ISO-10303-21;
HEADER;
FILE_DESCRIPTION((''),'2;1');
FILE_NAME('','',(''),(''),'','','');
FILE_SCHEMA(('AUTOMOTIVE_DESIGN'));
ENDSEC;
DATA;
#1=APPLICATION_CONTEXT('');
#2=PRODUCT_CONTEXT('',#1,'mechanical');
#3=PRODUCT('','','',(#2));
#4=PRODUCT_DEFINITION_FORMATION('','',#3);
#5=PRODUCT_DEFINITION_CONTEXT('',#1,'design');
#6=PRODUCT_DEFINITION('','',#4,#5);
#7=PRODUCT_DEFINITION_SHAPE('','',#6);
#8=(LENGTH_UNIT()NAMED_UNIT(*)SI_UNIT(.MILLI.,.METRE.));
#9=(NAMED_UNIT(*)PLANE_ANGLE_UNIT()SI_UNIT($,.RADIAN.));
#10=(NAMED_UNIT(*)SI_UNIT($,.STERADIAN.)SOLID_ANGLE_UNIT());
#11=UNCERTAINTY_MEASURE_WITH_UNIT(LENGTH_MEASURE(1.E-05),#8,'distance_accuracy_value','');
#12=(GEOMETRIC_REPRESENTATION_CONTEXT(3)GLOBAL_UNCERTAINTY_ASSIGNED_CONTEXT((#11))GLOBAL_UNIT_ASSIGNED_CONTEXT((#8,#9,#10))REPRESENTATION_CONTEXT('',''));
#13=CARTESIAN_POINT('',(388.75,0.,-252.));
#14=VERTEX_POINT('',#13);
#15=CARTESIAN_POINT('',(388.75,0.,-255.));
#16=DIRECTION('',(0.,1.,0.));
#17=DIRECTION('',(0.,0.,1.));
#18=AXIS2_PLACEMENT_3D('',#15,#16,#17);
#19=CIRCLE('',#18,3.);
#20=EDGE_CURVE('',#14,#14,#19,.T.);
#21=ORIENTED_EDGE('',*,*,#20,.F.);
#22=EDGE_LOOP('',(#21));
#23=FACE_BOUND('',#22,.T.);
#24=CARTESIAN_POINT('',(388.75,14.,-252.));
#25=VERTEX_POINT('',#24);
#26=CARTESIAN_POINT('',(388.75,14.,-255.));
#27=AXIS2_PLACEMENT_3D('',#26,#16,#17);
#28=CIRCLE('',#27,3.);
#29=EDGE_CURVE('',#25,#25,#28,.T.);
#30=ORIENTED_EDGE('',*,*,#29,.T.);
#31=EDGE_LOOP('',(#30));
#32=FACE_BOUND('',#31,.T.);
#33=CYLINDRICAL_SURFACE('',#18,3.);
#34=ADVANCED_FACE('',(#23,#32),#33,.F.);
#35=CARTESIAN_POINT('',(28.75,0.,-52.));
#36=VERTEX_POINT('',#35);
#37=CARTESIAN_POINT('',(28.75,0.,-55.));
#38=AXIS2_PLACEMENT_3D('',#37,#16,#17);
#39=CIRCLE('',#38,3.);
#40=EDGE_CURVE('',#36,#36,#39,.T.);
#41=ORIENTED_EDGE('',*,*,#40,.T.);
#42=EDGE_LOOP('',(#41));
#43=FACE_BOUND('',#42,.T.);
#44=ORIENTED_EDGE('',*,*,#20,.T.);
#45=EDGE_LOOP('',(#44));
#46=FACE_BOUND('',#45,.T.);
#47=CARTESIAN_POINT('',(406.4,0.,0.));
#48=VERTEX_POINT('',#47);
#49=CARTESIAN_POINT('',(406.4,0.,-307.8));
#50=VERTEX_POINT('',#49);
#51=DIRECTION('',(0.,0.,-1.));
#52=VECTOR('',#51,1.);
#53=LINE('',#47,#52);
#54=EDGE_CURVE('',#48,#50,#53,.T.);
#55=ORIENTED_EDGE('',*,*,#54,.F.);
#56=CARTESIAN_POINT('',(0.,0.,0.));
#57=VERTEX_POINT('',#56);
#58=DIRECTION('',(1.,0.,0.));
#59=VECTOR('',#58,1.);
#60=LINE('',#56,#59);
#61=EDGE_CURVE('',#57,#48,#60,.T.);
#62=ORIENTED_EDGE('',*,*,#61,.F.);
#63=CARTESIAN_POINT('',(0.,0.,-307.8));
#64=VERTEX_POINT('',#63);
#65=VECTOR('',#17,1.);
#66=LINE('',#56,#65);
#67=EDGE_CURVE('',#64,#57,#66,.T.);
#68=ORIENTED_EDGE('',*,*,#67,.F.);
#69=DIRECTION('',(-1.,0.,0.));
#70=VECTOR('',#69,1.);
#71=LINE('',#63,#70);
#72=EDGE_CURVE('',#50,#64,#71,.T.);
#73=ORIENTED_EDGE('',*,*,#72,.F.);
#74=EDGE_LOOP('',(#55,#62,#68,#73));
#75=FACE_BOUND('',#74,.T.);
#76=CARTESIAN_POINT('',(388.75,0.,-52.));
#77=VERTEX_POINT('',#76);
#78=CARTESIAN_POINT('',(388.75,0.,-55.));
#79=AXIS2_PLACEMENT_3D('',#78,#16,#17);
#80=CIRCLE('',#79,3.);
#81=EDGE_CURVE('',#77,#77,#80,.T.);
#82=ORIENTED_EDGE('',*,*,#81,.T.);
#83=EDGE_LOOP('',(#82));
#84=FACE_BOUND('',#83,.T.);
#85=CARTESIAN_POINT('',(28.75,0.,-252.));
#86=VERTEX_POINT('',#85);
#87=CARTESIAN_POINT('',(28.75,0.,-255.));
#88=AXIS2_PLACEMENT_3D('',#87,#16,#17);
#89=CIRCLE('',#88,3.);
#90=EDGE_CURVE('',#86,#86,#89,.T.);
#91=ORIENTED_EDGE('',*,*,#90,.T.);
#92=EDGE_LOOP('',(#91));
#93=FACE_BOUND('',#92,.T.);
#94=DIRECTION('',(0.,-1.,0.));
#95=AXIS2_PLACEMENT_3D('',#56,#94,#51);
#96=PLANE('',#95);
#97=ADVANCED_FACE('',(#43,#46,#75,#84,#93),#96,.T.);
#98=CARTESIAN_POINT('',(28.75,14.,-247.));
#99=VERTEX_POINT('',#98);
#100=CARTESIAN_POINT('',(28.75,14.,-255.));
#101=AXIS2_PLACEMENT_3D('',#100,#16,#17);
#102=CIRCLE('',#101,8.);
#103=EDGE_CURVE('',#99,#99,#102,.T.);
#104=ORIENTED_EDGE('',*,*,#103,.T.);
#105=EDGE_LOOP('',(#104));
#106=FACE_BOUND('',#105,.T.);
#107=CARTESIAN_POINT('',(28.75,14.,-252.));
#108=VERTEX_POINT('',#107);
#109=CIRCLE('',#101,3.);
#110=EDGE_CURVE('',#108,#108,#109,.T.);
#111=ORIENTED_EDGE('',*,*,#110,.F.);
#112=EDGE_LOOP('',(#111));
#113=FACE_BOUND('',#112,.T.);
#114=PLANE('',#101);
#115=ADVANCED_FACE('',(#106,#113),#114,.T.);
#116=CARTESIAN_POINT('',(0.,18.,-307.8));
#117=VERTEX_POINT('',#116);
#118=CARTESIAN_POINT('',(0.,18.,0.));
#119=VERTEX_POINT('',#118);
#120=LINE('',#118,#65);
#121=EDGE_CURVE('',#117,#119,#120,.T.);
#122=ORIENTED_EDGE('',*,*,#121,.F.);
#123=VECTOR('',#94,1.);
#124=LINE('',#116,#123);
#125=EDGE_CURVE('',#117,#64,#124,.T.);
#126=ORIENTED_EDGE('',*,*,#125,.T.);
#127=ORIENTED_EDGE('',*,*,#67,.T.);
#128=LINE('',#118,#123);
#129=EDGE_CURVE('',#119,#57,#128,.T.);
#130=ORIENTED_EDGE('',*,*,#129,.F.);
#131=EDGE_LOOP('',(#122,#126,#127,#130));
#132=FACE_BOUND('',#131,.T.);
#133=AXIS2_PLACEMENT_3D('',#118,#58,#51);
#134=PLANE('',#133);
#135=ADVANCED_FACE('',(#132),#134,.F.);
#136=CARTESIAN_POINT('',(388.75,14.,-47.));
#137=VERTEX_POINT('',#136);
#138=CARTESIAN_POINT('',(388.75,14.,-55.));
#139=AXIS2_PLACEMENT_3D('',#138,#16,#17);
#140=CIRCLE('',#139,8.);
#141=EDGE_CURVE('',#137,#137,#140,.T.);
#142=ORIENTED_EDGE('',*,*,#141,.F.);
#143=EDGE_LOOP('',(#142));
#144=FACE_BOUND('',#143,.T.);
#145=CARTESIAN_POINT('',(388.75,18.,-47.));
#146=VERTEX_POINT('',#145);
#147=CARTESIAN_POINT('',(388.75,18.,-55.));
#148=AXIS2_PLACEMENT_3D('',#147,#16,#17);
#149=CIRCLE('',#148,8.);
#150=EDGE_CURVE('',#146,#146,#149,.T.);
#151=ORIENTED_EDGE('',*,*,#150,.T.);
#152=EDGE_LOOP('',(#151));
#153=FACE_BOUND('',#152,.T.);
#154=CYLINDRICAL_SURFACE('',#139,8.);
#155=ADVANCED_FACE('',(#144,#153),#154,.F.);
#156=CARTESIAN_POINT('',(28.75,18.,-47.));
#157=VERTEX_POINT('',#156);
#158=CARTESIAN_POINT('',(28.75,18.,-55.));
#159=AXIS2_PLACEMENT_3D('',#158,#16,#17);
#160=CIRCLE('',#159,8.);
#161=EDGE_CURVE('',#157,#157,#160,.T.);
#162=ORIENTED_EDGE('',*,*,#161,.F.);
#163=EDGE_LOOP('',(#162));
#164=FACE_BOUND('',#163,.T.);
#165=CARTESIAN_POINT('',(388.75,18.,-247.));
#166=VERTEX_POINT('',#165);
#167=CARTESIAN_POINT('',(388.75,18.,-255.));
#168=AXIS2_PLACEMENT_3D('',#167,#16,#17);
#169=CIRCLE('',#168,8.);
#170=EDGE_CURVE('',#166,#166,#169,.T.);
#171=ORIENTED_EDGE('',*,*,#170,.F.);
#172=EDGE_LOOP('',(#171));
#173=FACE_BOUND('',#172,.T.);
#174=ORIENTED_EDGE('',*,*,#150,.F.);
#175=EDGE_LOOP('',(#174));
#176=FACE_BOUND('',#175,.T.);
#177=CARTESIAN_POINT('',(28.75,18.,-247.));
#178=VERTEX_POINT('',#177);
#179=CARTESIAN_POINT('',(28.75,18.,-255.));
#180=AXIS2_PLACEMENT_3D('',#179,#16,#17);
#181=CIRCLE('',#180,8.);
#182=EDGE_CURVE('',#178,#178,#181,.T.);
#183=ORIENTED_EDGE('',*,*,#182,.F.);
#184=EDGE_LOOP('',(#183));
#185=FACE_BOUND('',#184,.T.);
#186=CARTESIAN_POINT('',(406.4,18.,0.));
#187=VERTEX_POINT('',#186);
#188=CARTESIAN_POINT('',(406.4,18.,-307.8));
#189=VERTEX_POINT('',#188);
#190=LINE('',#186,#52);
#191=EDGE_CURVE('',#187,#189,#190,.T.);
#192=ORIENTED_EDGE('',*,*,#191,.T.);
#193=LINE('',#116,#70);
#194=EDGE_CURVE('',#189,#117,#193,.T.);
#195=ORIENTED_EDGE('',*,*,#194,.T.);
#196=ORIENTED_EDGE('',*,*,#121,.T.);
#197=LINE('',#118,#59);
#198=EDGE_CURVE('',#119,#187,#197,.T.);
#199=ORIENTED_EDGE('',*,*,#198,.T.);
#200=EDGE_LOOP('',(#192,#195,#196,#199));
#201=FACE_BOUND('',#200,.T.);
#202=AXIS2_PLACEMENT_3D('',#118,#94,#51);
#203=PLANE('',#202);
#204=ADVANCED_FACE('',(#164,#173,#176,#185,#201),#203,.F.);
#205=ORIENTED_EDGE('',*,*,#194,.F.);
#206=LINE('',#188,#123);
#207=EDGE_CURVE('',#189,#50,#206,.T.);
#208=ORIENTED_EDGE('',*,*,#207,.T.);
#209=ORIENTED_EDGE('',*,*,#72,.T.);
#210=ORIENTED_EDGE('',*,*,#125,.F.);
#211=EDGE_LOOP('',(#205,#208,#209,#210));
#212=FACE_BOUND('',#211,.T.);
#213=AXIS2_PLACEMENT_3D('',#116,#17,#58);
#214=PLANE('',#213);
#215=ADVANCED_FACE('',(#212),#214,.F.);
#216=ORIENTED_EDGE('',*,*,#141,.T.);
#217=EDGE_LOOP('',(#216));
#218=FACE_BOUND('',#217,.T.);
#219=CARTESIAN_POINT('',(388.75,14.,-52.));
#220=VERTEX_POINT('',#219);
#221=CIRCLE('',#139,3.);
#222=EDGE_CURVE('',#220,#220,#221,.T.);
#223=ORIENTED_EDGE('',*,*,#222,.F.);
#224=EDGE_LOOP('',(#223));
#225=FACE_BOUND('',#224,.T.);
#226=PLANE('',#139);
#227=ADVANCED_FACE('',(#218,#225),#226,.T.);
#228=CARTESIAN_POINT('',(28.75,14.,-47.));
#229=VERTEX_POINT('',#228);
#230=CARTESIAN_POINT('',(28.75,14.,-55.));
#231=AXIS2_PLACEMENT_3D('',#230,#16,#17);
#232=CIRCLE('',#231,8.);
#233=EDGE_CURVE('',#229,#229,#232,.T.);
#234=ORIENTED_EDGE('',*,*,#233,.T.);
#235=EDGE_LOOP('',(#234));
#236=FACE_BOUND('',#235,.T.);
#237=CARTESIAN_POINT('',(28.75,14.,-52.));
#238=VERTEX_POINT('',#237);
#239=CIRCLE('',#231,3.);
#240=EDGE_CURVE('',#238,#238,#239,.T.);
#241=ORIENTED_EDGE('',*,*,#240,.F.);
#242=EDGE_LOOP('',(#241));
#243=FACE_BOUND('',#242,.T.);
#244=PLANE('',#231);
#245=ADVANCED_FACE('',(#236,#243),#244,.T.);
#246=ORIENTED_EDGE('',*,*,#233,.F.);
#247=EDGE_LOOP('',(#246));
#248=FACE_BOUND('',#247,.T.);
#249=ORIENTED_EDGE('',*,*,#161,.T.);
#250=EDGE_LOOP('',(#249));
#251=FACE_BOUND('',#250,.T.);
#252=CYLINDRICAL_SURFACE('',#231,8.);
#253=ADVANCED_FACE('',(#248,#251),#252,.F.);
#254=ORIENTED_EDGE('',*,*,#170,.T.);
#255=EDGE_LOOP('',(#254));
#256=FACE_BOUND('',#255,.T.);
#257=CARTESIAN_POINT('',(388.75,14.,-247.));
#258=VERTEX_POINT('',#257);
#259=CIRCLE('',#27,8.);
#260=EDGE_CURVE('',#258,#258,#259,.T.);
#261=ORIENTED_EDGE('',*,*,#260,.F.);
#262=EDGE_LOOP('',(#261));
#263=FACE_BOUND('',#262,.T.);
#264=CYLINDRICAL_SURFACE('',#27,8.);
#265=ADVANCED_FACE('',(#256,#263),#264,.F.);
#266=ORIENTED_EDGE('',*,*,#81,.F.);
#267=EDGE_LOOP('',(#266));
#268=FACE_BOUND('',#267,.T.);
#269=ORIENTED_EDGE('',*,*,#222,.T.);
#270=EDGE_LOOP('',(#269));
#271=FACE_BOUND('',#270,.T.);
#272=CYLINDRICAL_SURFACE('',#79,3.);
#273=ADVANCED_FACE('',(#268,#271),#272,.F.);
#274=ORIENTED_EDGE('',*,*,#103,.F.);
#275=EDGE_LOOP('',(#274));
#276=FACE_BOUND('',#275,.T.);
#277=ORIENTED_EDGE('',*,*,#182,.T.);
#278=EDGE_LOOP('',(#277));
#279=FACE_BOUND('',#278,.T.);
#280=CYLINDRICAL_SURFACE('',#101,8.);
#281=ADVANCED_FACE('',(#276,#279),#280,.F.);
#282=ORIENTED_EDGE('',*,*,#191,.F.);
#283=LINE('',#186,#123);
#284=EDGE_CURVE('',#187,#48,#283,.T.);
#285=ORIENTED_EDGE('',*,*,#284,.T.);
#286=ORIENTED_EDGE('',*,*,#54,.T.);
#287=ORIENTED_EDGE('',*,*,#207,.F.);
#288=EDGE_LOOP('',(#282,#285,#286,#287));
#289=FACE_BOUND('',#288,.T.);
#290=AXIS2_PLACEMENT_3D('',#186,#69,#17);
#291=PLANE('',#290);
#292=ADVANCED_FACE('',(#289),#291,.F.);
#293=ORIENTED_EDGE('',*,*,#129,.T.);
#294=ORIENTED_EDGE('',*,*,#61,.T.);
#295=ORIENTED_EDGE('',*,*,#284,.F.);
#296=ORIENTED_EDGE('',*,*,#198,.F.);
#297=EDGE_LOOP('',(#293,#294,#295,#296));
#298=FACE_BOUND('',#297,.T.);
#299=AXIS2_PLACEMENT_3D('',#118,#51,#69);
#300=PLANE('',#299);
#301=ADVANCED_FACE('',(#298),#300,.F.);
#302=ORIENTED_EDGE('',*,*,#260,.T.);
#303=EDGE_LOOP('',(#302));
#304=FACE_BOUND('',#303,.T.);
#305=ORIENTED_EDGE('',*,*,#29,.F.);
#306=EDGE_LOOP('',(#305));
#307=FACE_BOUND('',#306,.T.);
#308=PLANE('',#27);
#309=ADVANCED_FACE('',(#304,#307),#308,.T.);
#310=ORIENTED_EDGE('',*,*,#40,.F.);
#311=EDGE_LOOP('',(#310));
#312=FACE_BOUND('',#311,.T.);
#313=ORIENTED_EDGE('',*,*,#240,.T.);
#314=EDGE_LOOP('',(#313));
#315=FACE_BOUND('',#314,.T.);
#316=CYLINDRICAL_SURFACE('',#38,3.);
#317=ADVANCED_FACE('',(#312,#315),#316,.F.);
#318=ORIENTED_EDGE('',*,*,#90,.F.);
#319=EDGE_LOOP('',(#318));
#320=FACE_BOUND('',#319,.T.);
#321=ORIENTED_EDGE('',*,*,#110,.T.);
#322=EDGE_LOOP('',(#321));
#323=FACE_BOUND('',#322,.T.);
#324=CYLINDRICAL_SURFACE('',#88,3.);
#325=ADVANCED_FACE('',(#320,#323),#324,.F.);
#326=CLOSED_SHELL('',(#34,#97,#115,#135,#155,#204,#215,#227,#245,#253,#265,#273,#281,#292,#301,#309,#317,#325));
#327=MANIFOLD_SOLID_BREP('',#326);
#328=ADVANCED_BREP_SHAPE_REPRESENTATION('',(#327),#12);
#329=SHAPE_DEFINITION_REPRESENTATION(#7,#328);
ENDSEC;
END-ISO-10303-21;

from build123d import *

# Parameters (mm, degrees)
SKETCH1_W               = 406.4
SKETCH1_H               = 307.8
BOSS_EXTRUDE1_DEPTH     = 18
SKETCH2_R               = 8
CUT_EXTRUDE1_DEPTH      = 4
SKETCH3_R               = 3
CUT_EXTRUDE2_DEPTH      = 5
CUT_EXTRUDE2_DEPTH_BACK = 15


with BuildPart() as part:
    # Sketch1 → Boss-Extrude1 (new body)
    with BuildSketch(Plane(origin=(0, 0, 0), x_dir=(1, 0, 0), z_dir=(0, 1, 0))):
        with Locations((203.2, 153.9)):
            Rectangle(SKETCH1_W, SKETCH1_H)
    extrude(amount=BOSS_EXTRUDE1_DEPTH)

    # Sketch2 → Cut-Extrude1 (cut)
    with BuildSketch(Plane(origin=(0, 18, 0), x_dir=(1, 0, 0), z_dir=(0, 1, 0))):
        with Locations((28.75, 55)):
            Circle(SKETCH2_R)
        with Locations((388.75, 255)):
            Circle(SKETCH2_R)
        with Locations((388.75, 55)):
            Circle(SKETCH2_R)
        with Locations((28.75, 255)):
            Circle(SKETCH2_R)
    extrude(amount=-CUT_EXTRUDE1_DEPTH, mode=Mode.SUBTRACT)

    # Sketch3 → Cut-Extrude2 (cut, two sides)
    with BuildSketch(Plane(origin=(0, 14, 0), x_dir=(1, 0, 0), z_dir=(0, 1, 0))) as cut_extrude2_sk:
        with Locations((28.75, 255)):
            Circle(SKETCH3_R)
        with Locations((28.75, 55)):
            Circle(SKETCH3_R)
        with Locations((388.75, 55)):
            Circle(SKETCH3_R)
        with Locations((388.75, 255)):
            Circle(SKETCH3_R)
    extrude(amount=CUT_EXTRUDE2_DEPTH, mode=Mode.SUBTRACT)
    extrude(cut_extrude2_sk.sketch, amount=-CUT_EXTRUDE2_DEPTH_BACK, mode=Mode.SUBTRACT)


solid = part.part
